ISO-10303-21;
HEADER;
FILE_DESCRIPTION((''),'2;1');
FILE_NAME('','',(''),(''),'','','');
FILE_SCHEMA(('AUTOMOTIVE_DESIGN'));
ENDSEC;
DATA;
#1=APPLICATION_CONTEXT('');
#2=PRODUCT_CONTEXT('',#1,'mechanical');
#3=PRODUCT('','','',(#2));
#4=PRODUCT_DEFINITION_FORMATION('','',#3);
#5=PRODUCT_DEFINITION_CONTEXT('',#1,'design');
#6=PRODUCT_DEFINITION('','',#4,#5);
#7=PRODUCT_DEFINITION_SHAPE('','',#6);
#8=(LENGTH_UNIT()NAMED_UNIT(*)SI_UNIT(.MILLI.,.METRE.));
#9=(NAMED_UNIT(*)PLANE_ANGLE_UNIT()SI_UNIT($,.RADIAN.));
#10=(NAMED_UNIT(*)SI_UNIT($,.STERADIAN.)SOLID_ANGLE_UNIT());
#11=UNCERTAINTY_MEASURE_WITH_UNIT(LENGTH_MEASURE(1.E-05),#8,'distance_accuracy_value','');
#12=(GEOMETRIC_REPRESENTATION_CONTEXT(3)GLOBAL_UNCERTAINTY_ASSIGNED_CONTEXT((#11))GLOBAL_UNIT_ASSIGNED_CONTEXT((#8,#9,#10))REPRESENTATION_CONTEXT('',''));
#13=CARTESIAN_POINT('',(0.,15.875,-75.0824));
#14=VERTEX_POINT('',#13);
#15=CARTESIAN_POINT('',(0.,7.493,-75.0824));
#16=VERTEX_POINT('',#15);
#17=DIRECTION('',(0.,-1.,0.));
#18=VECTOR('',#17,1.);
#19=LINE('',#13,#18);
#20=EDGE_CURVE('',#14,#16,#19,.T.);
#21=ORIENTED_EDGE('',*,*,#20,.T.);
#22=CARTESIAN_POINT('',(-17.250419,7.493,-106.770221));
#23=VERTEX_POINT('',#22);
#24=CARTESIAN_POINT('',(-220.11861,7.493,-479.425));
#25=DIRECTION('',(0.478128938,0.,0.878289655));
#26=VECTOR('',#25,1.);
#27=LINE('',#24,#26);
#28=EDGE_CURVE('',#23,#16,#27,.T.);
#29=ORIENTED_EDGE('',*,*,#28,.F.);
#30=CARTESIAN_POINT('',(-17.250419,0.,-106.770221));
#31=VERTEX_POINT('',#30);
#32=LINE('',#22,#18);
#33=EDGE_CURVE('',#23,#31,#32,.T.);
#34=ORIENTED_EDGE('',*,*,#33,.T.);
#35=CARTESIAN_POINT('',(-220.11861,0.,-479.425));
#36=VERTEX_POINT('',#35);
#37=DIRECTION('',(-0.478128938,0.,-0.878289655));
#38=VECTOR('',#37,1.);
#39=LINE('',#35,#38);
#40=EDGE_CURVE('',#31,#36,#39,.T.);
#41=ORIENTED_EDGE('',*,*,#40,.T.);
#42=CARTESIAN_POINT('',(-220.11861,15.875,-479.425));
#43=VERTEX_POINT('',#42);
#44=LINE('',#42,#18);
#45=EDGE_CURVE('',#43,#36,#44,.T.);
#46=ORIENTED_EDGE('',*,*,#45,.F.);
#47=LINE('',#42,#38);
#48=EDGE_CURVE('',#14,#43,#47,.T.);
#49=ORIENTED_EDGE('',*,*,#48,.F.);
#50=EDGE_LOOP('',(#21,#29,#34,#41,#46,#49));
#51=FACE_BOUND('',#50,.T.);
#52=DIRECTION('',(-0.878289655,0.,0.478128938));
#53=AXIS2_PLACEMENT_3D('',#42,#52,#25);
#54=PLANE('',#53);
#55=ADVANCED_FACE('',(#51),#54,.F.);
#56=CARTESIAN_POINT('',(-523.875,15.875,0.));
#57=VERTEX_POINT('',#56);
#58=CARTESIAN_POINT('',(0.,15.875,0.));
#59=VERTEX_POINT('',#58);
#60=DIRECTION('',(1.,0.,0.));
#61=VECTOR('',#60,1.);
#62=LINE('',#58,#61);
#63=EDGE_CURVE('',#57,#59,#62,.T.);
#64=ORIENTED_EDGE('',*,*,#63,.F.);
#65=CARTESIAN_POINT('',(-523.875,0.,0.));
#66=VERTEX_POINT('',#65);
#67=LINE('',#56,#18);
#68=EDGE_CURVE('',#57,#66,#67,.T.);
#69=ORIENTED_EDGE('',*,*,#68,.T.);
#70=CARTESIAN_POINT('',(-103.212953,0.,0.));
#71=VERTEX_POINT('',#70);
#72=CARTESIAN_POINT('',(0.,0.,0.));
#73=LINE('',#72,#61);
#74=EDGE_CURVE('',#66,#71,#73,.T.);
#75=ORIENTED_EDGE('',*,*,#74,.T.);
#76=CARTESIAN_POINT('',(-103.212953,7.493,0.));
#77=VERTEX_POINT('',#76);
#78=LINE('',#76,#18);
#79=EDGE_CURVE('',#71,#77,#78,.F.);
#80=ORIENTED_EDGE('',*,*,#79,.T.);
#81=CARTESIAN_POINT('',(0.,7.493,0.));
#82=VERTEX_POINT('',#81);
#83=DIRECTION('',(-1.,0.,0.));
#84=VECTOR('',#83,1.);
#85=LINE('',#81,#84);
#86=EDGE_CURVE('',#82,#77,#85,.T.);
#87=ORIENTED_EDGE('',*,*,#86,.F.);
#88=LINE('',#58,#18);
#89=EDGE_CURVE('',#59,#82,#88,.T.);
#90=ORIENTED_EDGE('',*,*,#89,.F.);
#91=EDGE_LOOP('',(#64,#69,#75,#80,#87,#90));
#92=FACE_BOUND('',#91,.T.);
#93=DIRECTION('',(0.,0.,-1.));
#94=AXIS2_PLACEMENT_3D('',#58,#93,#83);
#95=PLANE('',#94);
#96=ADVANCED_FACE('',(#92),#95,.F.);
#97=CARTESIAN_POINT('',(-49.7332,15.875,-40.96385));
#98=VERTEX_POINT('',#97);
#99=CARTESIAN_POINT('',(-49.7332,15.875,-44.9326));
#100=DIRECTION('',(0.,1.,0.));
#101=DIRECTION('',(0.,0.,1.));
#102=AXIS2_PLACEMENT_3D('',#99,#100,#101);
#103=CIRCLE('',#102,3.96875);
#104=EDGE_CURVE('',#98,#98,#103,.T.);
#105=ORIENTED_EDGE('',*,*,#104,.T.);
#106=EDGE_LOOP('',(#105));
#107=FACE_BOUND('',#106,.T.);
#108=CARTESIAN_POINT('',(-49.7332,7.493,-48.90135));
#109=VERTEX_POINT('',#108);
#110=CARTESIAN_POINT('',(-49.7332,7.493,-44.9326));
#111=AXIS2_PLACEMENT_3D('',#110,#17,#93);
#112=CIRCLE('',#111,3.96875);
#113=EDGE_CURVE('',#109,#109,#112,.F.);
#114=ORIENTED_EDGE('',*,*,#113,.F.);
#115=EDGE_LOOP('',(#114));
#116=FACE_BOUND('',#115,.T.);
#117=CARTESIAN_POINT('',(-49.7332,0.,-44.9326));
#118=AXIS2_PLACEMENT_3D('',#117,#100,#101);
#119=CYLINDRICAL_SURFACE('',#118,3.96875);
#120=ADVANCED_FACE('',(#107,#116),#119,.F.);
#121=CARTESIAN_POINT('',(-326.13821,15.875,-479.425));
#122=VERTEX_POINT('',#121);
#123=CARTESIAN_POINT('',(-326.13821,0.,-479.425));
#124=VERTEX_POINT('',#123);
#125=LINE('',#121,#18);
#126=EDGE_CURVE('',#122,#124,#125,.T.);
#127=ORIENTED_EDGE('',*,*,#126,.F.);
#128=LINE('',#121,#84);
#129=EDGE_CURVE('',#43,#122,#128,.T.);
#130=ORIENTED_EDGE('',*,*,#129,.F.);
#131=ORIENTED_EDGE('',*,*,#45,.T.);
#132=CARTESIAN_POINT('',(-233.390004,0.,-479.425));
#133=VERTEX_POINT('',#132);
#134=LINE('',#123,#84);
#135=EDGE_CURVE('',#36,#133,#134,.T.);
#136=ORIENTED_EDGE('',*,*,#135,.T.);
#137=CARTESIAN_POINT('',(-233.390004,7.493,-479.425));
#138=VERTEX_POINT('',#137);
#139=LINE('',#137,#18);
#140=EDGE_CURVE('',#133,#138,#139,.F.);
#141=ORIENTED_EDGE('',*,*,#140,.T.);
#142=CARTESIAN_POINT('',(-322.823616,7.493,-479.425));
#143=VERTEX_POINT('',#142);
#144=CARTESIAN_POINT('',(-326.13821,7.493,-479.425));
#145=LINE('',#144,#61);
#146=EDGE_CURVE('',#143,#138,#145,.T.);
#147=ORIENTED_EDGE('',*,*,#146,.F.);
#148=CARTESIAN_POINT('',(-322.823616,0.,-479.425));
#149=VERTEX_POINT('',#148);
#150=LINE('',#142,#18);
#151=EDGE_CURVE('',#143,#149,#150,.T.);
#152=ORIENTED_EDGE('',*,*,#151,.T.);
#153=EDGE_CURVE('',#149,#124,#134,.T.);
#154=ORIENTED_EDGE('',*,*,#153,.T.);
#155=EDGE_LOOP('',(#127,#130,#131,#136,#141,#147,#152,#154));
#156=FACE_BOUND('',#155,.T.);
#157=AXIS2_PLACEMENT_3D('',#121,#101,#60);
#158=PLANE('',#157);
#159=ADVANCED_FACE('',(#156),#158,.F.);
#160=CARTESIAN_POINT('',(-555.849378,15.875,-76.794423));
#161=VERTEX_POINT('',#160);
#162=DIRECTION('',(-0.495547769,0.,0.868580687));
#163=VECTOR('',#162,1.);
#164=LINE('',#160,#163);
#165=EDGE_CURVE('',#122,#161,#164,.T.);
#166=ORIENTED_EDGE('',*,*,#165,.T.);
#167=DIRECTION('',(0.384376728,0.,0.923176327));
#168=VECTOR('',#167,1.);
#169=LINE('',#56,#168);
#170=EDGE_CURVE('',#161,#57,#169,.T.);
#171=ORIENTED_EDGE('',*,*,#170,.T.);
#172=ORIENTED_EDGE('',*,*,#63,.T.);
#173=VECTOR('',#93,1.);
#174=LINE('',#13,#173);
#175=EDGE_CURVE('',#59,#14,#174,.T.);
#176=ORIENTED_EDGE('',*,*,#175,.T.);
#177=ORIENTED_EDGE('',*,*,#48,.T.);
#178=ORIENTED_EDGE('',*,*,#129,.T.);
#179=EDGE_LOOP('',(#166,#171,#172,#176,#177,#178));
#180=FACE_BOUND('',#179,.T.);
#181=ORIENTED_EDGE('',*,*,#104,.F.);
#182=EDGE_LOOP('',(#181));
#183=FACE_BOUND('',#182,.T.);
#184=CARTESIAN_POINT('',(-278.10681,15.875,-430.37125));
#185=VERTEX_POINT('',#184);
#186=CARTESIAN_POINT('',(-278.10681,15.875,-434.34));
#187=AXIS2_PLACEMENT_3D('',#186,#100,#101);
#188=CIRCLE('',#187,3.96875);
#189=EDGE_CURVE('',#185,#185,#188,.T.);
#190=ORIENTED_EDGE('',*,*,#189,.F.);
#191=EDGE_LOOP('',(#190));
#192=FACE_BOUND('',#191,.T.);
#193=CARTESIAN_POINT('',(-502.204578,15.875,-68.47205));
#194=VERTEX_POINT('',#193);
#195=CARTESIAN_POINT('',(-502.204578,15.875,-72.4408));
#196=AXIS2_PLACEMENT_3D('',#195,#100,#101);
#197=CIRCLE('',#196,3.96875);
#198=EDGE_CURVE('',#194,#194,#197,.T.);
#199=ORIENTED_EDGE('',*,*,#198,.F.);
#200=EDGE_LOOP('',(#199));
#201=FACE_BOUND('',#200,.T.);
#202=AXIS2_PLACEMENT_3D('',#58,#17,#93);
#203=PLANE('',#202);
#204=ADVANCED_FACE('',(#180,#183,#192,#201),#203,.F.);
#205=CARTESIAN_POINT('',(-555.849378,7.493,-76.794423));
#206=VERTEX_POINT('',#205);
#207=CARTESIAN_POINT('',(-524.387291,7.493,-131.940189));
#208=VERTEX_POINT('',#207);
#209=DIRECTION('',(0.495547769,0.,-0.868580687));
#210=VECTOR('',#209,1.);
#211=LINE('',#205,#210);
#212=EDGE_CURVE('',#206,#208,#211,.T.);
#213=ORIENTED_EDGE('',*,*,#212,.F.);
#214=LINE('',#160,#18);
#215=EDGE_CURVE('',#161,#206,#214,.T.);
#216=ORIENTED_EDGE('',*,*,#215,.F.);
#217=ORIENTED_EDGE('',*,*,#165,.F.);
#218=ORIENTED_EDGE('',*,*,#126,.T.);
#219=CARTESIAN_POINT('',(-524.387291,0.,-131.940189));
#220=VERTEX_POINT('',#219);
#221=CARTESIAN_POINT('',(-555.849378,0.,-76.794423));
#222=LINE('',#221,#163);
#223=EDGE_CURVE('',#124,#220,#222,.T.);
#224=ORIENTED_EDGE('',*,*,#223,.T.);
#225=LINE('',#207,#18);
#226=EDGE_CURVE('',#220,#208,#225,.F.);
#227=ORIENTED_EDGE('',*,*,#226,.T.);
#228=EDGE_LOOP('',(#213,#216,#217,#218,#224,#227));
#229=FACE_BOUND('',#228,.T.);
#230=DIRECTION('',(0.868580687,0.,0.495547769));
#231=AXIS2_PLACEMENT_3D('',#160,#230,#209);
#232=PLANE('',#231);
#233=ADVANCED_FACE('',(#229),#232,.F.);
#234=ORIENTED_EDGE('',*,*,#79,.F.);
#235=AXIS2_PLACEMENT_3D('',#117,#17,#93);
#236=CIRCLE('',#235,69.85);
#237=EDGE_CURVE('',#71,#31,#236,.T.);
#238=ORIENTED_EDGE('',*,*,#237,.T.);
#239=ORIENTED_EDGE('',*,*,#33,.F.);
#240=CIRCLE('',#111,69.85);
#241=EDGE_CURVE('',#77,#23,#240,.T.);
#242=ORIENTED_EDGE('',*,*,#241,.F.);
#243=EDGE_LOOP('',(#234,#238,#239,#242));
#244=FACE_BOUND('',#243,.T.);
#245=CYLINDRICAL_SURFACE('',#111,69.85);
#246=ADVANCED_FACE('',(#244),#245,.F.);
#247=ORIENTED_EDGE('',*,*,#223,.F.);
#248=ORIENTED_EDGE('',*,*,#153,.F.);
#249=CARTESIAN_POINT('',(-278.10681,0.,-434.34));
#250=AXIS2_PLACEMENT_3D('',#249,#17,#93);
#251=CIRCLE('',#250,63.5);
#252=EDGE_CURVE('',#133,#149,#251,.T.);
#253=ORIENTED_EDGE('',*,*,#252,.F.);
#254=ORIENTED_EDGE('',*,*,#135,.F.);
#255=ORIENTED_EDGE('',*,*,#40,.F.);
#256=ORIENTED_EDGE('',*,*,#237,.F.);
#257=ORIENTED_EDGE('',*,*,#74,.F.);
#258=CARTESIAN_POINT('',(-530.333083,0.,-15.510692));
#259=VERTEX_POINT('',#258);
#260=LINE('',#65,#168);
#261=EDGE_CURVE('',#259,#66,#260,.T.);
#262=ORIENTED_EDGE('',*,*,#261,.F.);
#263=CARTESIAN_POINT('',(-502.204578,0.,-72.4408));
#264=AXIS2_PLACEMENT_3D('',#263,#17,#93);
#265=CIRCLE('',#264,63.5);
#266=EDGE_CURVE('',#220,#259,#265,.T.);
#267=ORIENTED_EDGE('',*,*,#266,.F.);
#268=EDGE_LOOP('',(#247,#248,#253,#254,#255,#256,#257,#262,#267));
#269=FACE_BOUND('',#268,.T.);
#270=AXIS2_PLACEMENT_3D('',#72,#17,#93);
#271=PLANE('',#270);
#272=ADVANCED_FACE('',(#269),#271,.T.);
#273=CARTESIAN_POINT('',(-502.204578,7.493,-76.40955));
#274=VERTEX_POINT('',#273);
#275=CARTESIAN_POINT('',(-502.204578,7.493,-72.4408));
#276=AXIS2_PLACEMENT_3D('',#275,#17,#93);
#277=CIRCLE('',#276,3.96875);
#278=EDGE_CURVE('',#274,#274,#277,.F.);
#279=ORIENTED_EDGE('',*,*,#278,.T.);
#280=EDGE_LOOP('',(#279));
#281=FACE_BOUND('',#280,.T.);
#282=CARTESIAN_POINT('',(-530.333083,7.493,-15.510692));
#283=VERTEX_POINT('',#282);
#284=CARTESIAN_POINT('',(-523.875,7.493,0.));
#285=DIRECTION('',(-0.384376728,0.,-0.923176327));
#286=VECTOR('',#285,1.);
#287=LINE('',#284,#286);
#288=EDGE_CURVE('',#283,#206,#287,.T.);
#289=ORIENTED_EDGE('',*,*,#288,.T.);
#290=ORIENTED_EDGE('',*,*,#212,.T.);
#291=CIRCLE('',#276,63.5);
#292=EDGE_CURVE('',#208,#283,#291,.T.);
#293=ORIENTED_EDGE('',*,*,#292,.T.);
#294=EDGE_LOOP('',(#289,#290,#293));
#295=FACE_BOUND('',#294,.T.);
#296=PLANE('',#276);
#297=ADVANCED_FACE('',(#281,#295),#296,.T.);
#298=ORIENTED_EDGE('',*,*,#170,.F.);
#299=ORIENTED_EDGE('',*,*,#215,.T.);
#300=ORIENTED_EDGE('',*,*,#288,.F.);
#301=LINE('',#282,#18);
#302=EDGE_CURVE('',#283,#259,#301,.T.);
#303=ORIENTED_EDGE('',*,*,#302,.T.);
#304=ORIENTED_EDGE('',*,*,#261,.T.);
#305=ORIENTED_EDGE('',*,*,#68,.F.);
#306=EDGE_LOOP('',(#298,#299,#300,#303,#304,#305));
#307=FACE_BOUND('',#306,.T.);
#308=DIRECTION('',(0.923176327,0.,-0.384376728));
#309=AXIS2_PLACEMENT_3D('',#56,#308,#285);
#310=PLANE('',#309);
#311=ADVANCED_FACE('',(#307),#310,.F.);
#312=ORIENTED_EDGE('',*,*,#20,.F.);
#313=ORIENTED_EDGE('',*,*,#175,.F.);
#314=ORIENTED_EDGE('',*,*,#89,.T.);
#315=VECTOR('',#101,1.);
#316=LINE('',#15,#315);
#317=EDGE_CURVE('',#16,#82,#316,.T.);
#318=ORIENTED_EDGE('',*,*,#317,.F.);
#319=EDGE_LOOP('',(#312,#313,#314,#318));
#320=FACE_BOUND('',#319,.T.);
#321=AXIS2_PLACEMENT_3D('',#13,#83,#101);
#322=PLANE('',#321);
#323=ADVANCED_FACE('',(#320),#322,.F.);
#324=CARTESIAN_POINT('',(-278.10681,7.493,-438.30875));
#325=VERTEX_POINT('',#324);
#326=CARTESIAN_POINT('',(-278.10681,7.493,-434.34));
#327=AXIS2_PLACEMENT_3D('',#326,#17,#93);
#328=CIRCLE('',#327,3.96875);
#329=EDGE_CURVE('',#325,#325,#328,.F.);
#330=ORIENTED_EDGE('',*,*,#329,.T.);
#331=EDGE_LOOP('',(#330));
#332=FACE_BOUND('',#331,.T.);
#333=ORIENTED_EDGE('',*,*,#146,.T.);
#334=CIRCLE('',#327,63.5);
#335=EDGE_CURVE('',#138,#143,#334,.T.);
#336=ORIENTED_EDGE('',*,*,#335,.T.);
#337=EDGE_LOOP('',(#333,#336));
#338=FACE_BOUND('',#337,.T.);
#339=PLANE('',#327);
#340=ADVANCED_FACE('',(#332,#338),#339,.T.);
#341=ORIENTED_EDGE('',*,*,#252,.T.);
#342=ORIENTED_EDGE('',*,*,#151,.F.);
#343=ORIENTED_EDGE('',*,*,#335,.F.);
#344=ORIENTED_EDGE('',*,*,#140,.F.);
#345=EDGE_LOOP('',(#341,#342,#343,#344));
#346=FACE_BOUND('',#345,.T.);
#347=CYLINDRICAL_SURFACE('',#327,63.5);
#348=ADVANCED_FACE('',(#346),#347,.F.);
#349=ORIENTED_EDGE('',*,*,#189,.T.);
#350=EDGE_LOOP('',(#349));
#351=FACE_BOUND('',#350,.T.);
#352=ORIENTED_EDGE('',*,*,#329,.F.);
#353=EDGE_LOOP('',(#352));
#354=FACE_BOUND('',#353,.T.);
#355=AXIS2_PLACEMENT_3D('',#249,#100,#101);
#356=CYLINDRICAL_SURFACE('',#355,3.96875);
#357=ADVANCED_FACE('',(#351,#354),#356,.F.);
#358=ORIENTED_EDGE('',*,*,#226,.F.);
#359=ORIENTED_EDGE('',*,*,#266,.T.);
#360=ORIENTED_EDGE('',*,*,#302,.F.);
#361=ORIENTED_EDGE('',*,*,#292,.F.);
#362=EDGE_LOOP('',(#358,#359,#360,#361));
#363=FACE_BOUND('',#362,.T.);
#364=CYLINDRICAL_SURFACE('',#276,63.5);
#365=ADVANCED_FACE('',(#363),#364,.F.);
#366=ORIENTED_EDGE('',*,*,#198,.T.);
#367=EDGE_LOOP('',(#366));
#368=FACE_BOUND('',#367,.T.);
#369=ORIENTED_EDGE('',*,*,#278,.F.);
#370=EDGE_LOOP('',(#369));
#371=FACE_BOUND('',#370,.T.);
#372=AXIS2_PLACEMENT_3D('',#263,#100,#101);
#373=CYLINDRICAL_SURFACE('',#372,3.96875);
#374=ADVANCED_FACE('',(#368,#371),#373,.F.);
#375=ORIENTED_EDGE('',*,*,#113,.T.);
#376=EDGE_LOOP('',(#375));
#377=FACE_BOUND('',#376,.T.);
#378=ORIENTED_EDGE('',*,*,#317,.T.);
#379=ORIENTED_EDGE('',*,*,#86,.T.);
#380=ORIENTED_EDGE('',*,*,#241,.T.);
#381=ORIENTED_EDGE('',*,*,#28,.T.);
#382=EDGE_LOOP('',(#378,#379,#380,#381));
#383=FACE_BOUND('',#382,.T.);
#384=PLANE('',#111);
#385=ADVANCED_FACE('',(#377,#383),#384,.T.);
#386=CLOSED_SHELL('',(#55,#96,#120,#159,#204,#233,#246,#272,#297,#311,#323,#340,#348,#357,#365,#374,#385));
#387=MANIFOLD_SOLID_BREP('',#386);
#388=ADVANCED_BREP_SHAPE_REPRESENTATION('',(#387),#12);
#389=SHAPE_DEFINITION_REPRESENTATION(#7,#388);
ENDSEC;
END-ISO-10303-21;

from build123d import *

# Parameters (mm, degrees)
BOSS_EXTRUDE1_DEPTH = 15.875
SKETCH2_R           = 3.96875
CUT_EXTRUDE1_DEPTH  = 16.875
SKETCH3_R           = 63.5
SKETCH3_R_2         = 69.85
CUT_EXTRUDE2_DEPTH  = 7.493


with BuildPart() as part:
    # Sketch1 → Boss-Extrude1 (new body)
    with BuildSketch(Plane(origin=(0, 0, 0), x_dir=(1, 0, 0), z_dir=(0, 1, 0))):
        Polygon((0, 0), (-523.875, 0), (-555.849378124, 76.79442277), (-326.138209959, 479.425), (-220.118609959, 479.425), (0, 75.0824), align=None)
    extrude(amount=BOSS_EXTRUDE1_DEPTH)

    # Sketch2 → Cut-Extrude1 (cut, through all)
    with BuildSketch(Plane(origin=(0, 15.875, 0), x_dir=(1, 0, 0), z_dir=(0, 1, 0))):
        with Locations((-278.106809959, 434.34)):
            Circle(SKETCH2_R)
        with Locations((-502.204578124, 72.4408)):
            Circle(SKETCH2_R)
        with Locations((-49.7332, 44.9326)):
            Circle(SKETCH2_R)
    extrude(amount=-CUT_EXTRUDE1_DEPTH, mode=Mode.SUBTRACT)

    # Sketch3 → Cut-Extrude2 (cut)
    with BuildSketch(Plane.XZ):
        with Locations((-502.204578124, -72.4408)):
            Circle(SKETCH3_R)
        with Locations((-49.7332, -44.9326)):
            Circle(SKETCH3_R_2)
        with Locations((-278.106809959, -434.34)):
            Circle(SKETCH3_R)
    extrude(amount=-CUT_EXTRUDE2_DEPTH, mode=Mode.SUBTRACT)


solid = part.part
